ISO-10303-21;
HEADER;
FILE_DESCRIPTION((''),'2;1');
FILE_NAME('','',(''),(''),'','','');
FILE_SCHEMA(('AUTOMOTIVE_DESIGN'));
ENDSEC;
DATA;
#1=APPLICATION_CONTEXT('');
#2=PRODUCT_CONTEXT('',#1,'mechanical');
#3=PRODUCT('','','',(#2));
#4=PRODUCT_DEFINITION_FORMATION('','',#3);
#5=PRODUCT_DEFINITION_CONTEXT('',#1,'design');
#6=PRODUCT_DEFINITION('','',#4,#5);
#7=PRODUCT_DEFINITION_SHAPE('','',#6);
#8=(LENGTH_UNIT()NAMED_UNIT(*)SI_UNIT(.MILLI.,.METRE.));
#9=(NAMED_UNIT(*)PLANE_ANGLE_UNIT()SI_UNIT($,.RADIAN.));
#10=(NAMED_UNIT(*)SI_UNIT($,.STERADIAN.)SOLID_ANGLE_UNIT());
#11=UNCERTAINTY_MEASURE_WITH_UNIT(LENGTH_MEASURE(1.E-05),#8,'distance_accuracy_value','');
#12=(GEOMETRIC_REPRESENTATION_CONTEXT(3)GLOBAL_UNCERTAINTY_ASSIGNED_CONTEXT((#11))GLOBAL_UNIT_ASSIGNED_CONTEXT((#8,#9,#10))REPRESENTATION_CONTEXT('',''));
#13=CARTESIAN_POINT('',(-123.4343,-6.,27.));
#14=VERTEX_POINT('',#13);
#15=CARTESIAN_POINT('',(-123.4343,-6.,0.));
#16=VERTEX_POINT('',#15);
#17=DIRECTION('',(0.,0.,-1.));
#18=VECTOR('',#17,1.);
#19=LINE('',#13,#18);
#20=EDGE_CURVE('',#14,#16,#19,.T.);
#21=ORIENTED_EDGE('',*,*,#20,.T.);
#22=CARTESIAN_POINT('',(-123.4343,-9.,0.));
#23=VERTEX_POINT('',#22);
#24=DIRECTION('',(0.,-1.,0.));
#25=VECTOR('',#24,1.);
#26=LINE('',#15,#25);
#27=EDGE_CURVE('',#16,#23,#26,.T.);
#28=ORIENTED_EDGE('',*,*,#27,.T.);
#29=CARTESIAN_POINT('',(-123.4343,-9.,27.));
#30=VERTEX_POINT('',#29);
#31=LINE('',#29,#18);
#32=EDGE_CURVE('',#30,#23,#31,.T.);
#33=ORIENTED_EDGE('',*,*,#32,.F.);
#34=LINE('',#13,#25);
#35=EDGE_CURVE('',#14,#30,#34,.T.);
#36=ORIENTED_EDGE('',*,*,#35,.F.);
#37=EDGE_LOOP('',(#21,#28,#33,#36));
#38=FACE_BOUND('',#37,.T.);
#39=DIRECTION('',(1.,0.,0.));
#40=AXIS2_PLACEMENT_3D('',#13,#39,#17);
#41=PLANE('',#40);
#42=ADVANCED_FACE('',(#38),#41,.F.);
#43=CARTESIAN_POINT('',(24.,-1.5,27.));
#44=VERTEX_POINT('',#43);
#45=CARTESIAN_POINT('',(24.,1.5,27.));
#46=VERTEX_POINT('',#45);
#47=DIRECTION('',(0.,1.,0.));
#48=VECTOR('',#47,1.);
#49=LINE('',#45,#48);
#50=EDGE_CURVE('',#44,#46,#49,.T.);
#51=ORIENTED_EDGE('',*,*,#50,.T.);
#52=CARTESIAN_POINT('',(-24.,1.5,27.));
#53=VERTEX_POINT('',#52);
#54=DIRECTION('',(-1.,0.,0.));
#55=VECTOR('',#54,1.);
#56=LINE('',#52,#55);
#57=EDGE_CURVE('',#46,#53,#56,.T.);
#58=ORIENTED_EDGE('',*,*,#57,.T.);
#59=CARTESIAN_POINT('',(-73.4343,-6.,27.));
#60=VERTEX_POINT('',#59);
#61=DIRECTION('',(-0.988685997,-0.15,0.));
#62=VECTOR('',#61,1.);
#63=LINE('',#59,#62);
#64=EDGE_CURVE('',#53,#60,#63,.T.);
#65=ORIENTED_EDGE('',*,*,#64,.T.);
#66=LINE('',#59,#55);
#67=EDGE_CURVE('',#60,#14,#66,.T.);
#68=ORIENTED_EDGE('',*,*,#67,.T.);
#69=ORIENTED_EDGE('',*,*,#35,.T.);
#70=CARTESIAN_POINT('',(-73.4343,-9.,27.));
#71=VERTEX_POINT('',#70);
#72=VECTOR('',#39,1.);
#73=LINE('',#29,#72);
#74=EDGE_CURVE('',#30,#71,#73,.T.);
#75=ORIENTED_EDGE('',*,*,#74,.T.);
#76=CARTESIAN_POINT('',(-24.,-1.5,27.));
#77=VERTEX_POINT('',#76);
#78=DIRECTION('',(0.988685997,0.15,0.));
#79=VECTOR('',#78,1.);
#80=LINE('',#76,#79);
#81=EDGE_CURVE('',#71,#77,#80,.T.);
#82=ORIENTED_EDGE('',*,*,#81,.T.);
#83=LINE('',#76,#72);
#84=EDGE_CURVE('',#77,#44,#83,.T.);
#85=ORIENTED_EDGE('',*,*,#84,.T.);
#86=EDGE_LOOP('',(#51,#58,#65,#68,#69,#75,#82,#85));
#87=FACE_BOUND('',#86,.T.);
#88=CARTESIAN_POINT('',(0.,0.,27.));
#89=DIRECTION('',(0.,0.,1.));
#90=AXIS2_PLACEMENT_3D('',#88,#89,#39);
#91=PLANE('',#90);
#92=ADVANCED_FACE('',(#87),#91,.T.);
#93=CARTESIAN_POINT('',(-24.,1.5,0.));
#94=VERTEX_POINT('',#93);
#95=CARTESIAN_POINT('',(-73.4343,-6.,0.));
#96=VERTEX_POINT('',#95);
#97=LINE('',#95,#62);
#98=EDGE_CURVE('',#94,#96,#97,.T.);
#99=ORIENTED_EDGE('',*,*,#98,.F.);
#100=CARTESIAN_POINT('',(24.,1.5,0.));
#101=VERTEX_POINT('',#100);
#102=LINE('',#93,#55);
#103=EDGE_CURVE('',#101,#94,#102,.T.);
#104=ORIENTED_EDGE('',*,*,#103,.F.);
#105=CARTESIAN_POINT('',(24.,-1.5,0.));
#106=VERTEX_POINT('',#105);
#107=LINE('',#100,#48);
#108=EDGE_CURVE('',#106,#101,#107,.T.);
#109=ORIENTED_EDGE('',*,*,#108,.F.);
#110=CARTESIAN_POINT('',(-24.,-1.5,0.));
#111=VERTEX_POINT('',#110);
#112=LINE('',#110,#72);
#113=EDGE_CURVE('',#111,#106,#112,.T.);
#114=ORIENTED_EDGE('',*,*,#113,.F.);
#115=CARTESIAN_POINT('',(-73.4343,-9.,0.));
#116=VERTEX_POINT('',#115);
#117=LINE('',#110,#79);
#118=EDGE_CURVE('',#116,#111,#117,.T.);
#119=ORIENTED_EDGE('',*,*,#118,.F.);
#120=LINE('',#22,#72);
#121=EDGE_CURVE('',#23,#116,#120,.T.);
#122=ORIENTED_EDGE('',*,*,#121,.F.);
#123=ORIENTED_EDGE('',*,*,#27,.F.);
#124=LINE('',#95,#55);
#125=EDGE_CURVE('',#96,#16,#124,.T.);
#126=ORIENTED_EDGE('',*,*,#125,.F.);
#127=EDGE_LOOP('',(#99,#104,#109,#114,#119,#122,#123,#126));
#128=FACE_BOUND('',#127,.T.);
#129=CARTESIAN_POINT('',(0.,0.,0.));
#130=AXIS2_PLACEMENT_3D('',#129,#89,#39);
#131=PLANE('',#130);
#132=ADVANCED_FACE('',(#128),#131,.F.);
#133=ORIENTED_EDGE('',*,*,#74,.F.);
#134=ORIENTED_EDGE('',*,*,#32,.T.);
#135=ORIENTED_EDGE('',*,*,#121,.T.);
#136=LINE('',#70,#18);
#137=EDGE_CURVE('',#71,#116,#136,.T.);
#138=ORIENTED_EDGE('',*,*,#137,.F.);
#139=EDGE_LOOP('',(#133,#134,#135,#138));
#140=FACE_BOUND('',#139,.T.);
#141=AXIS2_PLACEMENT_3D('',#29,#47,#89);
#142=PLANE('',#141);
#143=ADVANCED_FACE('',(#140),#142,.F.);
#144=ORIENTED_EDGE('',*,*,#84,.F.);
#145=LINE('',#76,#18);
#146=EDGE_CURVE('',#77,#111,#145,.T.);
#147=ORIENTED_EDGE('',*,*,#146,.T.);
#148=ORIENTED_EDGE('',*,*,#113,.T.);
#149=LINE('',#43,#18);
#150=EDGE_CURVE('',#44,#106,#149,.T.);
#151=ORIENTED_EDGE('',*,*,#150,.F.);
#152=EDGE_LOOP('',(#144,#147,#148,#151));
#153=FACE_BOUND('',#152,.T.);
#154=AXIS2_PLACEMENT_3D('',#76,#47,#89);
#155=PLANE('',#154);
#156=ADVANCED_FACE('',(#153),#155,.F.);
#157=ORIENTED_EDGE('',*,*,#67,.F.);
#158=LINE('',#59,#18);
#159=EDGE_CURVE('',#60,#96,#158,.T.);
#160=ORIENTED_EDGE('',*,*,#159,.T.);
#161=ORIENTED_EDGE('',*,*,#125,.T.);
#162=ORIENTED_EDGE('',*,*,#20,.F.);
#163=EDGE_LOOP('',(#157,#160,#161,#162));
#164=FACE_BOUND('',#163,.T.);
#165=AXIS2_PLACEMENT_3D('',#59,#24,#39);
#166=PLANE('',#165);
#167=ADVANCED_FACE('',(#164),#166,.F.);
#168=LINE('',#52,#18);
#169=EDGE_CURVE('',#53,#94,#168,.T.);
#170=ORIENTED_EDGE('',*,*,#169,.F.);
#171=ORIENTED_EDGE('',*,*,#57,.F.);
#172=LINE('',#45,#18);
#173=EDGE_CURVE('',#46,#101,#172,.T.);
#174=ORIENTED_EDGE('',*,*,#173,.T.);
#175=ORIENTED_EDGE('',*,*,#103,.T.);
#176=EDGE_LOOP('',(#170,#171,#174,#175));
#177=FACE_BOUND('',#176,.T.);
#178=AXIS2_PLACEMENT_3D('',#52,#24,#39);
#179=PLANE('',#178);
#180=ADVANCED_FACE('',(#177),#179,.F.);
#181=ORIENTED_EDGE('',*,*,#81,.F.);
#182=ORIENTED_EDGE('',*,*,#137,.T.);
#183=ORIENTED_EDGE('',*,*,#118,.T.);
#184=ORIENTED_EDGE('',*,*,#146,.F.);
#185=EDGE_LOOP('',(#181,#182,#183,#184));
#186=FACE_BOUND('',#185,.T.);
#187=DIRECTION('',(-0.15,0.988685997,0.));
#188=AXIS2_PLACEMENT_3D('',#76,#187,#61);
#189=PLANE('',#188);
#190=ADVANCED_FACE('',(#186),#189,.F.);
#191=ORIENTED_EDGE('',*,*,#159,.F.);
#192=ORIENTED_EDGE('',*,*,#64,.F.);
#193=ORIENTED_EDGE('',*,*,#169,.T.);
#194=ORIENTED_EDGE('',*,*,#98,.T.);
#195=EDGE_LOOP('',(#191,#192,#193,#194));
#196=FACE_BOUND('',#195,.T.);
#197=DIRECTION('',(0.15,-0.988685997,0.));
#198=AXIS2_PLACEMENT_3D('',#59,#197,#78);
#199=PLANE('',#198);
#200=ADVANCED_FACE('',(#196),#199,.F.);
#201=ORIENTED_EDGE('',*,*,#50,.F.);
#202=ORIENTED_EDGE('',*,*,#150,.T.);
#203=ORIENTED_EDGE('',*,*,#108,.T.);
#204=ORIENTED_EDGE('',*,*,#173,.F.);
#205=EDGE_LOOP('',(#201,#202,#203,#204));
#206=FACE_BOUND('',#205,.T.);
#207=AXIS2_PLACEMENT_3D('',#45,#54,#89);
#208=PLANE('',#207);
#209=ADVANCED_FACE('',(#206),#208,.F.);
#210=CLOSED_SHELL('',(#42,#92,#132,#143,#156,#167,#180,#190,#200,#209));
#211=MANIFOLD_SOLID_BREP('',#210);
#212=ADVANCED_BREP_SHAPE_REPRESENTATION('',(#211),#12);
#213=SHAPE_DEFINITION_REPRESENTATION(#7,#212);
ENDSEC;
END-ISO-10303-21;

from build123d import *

# Parameters (mm, degrees)
BOSS_EXTRU_1_DEPTH = 27


with BuildPart() as part:
    # Esquisse1 → Boss.-Extru.1 (new body)
    with BuildSketch(Plane.XY):
        Polygon((-24, -1.5), (-73.434299833, -9), (-123.434299833, -9), (-123.434299833, -6), (-73.434299833, -6), (-24, 1.5), (24, 1.5), (24, -1.5), align=None)
    extrude(amount=BOSS_EXTRU_1_DEPTH)


solid = part.part
